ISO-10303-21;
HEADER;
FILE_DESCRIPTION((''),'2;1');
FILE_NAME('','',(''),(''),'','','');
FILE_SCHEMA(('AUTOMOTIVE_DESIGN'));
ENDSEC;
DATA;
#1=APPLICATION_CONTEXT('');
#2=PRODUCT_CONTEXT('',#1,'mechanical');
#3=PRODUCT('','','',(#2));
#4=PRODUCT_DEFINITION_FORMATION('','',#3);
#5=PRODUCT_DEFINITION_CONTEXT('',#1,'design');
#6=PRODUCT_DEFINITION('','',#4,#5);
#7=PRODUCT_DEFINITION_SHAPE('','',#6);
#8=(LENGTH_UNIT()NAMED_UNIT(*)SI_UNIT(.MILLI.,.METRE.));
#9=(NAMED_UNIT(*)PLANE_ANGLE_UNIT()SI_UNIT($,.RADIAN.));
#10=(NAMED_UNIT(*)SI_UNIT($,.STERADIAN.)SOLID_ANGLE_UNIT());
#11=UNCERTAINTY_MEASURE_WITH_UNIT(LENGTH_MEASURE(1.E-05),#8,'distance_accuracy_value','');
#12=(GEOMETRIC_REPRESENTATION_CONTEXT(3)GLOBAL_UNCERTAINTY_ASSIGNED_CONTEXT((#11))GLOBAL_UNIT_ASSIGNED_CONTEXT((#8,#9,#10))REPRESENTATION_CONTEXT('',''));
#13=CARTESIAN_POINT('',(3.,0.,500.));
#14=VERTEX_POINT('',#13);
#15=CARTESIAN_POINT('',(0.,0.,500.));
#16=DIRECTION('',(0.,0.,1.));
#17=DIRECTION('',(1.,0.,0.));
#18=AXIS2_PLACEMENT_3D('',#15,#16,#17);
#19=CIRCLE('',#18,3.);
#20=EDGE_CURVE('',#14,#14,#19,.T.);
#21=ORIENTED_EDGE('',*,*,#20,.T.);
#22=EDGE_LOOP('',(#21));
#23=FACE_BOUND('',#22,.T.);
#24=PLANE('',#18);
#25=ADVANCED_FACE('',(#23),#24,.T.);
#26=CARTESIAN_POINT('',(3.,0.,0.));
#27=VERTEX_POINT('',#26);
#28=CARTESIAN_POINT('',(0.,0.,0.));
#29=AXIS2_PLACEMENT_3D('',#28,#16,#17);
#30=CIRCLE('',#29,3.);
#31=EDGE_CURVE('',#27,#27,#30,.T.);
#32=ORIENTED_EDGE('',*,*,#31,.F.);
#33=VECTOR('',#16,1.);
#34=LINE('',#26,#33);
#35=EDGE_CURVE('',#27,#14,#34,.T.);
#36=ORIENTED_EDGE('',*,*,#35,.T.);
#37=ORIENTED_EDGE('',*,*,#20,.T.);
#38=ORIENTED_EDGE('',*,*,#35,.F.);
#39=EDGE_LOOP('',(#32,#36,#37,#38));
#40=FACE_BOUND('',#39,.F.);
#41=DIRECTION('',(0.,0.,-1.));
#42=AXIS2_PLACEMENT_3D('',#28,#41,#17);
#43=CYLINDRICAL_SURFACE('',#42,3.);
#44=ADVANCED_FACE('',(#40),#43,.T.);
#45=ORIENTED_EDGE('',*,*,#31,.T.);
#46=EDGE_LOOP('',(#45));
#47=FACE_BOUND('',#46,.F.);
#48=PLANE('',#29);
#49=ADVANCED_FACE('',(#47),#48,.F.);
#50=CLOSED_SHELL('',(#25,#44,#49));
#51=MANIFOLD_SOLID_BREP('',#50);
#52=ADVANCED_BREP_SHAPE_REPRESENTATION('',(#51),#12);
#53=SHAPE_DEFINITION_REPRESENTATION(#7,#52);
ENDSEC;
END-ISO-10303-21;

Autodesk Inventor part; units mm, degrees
ref_plane "YZ Plane" through (0, 0, 0) normal (1, 0, 0) x (0, 1, 0)
ref_plane "XZ Plane" through (0, 0, 0) normal (0, 1, 0) x (-1, 0, 0)
ref_plane "XY Plane" through (0, 0, 0) normal (0, 0, 1) x (1, 0, 0)
sketch "Szkic1" plane through (0, 0, 0) normal (0, 0, 1) x (1, 0, 0)
  circle A0 centre (0, 0) radius 3
  dimension "d0" = 6
extrude "Wyciągnięcie proste1" add sketch "Szkic1" along normal blind 500
properties part number "rod"
